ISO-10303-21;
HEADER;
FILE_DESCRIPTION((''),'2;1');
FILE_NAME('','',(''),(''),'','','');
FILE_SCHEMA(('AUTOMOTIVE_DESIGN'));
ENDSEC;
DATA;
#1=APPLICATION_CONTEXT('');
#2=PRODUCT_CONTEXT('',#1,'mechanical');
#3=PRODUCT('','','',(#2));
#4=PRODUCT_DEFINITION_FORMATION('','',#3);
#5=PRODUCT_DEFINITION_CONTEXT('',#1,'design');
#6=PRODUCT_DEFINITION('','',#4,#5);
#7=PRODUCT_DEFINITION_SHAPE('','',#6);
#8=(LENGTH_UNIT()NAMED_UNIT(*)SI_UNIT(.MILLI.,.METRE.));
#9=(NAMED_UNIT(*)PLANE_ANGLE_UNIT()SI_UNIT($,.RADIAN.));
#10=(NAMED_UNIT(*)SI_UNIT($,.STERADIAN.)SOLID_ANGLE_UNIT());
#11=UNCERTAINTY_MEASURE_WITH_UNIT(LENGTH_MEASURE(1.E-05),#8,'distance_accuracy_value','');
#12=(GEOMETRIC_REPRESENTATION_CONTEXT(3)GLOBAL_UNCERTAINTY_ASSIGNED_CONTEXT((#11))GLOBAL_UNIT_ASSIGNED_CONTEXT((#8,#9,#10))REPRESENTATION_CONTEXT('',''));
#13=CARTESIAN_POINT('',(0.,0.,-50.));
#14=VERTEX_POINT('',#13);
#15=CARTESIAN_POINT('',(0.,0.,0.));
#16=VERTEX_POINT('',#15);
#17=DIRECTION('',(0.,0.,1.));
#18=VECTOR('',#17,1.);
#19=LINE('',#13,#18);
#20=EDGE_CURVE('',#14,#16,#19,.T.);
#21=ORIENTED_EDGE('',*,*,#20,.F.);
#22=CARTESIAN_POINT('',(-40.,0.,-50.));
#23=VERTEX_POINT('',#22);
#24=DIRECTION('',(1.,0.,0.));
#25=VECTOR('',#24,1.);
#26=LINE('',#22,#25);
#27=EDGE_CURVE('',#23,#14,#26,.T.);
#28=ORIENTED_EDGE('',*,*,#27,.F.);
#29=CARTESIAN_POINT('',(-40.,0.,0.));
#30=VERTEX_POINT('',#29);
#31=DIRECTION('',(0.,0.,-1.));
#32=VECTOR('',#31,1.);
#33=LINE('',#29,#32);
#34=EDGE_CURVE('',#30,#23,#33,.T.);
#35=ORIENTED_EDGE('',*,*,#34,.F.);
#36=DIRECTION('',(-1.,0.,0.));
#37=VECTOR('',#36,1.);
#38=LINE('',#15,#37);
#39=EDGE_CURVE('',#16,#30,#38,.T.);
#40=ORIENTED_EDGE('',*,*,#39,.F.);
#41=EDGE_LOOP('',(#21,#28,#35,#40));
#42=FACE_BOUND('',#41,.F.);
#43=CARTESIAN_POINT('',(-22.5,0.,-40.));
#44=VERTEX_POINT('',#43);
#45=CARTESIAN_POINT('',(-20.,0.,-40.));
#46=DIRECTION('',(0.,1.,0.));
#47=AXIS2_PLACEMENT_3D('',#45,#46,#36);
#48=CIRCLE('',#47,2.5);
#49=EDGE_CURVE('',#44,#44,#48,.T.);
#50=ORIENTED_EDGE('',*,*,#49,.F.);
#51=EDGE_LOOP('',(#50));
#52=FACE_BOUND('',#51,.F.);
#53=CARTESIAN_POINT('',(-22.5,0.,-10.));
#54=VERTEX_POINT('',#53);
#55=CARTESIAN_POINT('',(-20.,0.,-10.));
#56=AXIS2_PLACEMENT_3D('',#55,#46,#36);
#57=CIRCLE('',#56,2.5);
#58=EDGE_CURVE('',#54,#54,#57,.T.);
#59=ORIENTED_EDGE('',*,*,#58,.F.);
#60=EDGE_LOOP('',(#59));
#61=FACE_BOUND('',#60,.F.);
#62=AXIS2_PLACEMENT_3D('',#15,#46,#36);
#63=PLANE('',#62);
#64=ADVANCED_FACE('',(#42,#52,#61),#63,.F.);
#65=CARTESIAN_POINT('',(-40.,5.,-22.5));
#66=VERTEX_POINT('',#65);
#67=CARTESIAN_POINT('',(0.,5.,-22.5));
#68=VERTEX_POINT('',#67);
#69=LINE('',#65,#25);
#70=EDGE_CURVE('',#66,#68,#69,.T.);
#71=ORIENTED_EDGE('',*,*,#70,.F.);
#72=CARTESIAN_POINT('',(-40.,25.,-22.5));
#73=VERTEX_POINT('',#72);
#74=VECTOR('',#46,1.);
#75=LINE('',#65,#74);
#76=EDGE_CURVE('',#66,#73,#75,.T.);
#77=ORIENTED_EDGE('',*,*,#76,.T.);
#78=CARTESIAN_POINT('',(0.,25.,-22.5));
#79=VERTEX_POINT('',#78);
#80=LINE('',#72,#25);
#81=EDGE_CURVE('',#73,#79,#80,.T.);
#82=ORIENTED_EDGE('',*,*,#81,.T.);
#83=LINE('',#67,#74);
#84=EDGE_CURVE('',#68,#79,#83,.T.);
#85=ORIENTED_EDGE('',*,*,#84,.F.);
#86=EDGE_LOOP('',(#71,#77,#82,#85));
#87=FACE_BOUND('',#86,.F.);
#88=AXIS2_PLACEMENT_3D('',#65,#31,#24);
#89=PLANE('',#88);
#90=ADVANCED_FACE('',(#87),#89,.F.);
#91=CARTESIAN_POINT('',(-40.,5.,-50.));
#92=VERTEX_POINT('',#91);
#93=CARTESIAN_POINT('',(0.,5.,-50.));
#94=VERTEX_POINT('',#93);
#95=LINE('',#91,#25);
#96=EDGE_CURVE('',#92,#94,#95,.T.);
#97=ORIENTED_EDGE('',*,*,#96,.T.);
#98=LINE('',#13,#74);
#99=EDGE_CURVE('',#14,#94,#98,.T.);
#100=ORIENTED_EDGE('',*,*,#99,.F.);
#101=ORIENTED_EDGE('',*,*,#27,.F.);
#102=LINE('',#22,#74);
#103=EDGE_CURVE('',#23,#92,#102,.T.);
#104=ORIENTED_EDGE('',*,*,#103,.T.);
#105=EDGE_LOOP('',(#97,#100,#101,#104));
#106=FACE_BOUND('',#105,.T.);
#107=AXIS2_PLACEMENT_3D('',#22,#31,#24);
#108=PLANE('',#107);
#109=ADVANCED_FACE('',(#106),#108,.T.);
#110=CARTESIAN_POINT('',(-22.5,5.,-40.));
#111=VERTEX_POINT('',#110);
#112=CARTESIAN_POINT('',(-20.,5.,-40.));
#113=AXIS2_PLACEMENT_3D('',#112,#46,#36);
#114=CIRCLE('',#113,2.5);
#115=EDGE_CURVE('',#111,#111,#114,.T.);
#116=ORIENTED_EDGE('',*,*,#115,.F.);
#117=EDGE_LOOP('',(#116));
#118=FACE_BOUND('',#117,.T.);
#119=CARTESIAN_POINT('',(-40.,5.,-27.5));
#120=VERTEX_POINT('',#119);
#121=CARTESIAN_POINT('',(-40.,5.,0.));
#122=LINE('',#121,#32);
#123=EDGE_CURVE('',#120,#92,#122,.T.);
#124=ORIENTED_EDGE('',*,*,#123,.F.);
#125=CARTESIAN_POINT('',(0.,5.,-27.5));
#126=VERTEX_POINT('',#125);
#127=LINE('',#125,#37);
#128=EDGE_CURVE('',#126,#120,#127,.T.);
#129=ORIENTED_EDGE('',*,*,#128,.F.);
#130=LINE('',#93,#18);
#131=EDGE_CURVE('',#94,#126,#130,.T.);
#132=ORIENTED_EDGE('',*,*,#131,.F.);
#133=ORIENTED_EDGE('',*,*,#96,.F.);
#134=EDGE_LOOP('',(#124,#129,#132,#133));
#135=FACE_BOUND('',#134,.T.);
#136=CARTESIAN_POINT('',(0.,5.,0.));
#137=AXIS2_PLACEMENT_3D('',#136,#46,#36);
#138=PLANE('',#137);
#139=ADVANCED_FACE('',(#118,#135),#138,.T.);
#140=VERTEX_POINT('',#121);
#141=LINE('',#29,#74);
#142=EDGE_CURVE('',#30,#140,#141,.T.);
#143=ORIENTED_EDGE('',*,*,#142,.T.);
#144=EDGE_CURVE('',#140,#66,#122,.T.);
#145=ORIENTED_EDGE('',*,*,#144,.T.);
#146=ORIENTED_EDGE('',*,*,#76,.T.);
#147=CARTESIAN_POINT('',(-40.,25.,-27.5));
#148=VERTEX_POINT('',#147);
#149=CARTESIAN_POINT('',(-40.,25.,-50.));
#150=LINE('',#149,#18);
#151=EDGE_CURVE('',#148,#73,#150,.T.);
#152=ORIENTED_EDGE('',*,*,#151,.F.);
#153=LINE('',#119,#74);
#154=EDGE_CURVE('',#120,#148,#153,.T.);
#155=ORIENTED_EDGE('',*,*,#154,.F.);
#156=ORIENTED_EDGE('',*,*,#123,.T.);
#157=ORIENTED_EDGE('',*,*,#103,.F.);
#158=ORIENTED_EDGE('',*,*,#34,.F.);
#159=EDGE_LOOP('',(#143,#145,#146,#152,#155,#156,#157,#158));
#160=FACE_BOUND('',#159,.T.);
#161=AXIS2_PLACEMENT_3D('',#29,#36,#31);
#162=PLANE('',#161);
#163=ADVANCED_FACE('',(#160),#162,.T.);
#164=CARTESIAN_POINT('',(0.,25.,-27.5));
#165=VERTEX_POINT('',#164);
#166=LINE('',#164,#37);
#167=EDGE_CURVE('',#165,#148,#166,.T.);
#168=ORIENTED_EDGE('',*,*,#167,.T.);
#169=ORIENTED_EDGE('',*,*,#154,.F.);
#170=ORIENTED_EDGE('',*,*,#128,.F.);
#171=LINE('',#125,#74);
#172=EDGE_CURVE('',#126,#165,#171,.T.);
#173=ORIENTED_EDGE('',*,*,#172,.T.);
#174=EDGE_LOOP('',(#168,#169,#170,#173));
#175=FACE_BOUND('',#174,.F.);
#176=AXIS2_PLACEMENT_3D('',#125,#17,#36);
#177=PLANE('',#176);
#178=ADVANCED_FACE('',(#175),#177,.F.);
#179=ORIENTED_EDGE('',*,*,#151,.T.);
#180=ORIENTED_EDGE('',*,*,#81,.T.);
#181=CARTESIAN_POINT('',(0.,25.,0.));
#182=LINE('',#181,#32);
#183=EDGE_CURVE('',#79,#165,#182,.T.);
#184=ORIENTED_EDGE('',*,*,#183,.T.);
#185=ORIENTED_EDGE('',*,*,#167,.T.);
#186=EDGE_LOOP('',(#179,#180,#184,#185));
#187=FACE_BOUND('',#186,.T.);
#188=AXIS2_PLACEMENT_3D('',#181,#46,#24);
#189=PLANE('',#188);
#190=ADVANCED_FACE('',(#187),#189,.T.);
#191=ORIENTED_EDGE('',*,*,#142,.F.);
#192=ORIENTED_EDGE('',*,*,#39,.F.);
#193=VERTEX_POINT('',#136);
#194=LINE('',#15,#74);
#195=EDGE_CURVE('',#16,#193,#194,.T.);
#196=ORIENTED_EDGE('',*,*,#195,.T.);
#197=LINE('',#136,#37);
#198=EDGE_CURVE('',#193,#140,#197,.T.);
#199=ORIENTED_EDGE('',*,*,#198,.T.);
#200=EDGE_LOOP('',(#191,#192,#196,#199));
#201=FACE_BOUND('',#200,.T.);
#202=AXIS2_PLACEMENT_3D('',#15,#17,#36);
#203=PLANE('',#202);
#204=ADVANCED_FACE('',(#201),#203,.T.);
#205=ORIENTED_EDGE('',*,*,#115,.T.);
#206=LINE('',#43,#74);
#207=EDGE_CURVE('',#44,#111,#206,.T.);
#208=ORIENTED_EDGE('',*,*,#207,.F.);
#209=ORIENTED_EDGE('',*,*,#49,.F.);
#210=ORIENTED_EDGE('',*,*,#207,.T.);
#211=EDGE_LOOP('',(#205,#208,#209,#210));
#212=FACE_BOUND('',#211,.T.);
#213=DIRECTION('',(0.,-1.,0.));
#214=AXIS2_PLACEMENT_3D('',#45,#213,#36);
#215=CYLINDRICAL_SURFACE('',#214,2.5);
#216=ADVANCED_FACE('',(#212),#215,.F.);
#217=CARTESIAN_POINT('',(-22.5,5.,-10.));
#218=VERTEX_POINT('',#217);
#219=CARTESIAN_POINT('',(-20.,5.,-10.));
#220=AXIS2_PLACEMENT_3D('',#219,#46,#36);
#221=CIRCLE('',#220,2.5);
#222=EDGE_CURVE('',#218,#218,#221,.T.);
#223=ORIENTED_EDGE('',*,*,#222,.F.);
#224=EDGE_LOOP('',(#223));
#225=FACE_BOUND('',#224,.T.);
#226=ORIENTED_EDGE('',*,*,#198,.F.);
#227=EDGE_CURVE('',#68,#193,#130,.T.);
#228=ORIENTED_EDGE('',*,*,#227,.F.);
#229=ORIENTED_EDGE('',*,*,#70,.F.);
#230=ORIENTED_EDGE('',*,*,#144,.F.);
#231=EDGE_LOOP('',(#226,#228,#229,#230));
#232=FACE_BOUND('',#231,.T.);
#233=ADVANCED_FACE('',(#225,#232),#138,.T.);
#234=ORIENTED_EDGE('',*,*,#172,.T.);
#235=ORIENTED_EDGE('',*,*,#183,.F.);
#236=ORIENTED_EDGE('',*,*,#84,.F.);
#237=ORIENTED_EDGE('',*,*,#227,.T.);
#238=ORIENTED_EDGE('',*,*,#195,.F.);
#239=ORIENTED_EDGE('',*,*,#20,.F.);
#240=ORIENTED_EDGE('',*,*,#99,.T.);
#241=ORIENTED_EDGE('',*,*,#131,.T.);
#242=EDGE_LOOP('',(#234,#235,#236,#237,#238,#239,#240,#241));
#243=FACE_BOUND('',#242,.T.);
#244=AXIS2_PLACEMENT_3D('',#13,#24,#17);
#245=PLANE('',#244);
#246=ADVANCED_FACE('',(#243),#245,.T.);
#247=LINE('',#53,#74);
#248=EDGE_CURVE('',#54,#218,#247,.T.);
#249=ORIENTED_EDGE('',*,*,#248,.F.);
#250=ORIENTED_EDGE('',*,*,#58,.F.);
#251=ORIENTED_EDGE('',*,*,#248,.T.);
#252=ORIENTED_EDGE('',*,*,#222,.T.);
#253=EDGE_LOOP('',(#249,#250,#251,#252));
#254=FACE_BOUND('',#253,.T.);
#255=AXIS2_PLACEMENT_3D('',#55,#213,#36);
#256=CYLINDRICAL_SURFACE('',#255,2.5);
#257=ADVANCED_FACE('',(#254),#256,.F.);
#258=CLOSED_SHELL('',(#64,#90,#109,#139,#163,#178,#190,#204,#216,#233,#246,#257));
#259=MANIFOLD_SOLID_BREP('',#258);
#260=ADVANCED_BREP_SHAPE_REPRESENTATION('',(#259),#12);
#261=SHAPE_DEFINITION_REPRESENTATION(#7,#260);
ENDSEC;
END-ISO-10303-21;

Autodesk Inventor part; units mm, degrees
ref_plane "YZ Plane" through (0, 0, 0) normal (1, 0, 0) x (0, 1, 0)
ref_plane "XZ Plane" through (0, 0, 0) normal (0, 1, 0) x (-1, 0, 0)
ref_plane "XY Plane" through (0, 0, 0) normal (0, 0, 1) x (1, 0, 0)
sketch "Sketch1" plane through (0, 0, 0) normal (0, 1, 0) x (-1, 0, 0)
  line L0 (0, 0) -> (40, 0)
  line L1 (40, 0) -> (40, -50)
  line L2 (40, -50) -> (0, -50)
  line L3 (0, -50) -> (0, 0)
  circle A0 centre (20, -10) radius 2.5
  circle A1 centre (20, -40) radius 2.5
  dimension "d0" = 40
  dimension "d1" = 50
  dimension "d2" = 5
  dimension "d3" = 5
  dimension "d4" = 10
  dimension "d5" = 10
  dimension "d6" = 20
extrude "Extrusion1" add sketch "Sketch1" along normal blind 5
sketch "Sketch2" plane through (0, 5, 0) normal (0, 1, 0) x (1, 0, 0)
  line L0 (-40, 50) -> (-40, 0) projected
  line L1 (0, 0) -> (0, 50) projected
  line L2 (-40, 22.5) -> (0, 22.5)
  line L3 (0, 22.5) -> (0, 27.5)
  line L4 (0, 27.5) -> (-40, 27.5)
  line L5 (-40, 27.5) -> (-40, 22.5)
  line L6 (-40, 0) -> (0, 0) projected
  point P0 (0, 22.5)
  dimension "d9" = 5
  dimension "d10" = 22.5
extrude "Extrusion2" add sketch "Sketch2" along normal blind 20 contours L4 L1 L2 L0
properties part number "LightSensor01"
